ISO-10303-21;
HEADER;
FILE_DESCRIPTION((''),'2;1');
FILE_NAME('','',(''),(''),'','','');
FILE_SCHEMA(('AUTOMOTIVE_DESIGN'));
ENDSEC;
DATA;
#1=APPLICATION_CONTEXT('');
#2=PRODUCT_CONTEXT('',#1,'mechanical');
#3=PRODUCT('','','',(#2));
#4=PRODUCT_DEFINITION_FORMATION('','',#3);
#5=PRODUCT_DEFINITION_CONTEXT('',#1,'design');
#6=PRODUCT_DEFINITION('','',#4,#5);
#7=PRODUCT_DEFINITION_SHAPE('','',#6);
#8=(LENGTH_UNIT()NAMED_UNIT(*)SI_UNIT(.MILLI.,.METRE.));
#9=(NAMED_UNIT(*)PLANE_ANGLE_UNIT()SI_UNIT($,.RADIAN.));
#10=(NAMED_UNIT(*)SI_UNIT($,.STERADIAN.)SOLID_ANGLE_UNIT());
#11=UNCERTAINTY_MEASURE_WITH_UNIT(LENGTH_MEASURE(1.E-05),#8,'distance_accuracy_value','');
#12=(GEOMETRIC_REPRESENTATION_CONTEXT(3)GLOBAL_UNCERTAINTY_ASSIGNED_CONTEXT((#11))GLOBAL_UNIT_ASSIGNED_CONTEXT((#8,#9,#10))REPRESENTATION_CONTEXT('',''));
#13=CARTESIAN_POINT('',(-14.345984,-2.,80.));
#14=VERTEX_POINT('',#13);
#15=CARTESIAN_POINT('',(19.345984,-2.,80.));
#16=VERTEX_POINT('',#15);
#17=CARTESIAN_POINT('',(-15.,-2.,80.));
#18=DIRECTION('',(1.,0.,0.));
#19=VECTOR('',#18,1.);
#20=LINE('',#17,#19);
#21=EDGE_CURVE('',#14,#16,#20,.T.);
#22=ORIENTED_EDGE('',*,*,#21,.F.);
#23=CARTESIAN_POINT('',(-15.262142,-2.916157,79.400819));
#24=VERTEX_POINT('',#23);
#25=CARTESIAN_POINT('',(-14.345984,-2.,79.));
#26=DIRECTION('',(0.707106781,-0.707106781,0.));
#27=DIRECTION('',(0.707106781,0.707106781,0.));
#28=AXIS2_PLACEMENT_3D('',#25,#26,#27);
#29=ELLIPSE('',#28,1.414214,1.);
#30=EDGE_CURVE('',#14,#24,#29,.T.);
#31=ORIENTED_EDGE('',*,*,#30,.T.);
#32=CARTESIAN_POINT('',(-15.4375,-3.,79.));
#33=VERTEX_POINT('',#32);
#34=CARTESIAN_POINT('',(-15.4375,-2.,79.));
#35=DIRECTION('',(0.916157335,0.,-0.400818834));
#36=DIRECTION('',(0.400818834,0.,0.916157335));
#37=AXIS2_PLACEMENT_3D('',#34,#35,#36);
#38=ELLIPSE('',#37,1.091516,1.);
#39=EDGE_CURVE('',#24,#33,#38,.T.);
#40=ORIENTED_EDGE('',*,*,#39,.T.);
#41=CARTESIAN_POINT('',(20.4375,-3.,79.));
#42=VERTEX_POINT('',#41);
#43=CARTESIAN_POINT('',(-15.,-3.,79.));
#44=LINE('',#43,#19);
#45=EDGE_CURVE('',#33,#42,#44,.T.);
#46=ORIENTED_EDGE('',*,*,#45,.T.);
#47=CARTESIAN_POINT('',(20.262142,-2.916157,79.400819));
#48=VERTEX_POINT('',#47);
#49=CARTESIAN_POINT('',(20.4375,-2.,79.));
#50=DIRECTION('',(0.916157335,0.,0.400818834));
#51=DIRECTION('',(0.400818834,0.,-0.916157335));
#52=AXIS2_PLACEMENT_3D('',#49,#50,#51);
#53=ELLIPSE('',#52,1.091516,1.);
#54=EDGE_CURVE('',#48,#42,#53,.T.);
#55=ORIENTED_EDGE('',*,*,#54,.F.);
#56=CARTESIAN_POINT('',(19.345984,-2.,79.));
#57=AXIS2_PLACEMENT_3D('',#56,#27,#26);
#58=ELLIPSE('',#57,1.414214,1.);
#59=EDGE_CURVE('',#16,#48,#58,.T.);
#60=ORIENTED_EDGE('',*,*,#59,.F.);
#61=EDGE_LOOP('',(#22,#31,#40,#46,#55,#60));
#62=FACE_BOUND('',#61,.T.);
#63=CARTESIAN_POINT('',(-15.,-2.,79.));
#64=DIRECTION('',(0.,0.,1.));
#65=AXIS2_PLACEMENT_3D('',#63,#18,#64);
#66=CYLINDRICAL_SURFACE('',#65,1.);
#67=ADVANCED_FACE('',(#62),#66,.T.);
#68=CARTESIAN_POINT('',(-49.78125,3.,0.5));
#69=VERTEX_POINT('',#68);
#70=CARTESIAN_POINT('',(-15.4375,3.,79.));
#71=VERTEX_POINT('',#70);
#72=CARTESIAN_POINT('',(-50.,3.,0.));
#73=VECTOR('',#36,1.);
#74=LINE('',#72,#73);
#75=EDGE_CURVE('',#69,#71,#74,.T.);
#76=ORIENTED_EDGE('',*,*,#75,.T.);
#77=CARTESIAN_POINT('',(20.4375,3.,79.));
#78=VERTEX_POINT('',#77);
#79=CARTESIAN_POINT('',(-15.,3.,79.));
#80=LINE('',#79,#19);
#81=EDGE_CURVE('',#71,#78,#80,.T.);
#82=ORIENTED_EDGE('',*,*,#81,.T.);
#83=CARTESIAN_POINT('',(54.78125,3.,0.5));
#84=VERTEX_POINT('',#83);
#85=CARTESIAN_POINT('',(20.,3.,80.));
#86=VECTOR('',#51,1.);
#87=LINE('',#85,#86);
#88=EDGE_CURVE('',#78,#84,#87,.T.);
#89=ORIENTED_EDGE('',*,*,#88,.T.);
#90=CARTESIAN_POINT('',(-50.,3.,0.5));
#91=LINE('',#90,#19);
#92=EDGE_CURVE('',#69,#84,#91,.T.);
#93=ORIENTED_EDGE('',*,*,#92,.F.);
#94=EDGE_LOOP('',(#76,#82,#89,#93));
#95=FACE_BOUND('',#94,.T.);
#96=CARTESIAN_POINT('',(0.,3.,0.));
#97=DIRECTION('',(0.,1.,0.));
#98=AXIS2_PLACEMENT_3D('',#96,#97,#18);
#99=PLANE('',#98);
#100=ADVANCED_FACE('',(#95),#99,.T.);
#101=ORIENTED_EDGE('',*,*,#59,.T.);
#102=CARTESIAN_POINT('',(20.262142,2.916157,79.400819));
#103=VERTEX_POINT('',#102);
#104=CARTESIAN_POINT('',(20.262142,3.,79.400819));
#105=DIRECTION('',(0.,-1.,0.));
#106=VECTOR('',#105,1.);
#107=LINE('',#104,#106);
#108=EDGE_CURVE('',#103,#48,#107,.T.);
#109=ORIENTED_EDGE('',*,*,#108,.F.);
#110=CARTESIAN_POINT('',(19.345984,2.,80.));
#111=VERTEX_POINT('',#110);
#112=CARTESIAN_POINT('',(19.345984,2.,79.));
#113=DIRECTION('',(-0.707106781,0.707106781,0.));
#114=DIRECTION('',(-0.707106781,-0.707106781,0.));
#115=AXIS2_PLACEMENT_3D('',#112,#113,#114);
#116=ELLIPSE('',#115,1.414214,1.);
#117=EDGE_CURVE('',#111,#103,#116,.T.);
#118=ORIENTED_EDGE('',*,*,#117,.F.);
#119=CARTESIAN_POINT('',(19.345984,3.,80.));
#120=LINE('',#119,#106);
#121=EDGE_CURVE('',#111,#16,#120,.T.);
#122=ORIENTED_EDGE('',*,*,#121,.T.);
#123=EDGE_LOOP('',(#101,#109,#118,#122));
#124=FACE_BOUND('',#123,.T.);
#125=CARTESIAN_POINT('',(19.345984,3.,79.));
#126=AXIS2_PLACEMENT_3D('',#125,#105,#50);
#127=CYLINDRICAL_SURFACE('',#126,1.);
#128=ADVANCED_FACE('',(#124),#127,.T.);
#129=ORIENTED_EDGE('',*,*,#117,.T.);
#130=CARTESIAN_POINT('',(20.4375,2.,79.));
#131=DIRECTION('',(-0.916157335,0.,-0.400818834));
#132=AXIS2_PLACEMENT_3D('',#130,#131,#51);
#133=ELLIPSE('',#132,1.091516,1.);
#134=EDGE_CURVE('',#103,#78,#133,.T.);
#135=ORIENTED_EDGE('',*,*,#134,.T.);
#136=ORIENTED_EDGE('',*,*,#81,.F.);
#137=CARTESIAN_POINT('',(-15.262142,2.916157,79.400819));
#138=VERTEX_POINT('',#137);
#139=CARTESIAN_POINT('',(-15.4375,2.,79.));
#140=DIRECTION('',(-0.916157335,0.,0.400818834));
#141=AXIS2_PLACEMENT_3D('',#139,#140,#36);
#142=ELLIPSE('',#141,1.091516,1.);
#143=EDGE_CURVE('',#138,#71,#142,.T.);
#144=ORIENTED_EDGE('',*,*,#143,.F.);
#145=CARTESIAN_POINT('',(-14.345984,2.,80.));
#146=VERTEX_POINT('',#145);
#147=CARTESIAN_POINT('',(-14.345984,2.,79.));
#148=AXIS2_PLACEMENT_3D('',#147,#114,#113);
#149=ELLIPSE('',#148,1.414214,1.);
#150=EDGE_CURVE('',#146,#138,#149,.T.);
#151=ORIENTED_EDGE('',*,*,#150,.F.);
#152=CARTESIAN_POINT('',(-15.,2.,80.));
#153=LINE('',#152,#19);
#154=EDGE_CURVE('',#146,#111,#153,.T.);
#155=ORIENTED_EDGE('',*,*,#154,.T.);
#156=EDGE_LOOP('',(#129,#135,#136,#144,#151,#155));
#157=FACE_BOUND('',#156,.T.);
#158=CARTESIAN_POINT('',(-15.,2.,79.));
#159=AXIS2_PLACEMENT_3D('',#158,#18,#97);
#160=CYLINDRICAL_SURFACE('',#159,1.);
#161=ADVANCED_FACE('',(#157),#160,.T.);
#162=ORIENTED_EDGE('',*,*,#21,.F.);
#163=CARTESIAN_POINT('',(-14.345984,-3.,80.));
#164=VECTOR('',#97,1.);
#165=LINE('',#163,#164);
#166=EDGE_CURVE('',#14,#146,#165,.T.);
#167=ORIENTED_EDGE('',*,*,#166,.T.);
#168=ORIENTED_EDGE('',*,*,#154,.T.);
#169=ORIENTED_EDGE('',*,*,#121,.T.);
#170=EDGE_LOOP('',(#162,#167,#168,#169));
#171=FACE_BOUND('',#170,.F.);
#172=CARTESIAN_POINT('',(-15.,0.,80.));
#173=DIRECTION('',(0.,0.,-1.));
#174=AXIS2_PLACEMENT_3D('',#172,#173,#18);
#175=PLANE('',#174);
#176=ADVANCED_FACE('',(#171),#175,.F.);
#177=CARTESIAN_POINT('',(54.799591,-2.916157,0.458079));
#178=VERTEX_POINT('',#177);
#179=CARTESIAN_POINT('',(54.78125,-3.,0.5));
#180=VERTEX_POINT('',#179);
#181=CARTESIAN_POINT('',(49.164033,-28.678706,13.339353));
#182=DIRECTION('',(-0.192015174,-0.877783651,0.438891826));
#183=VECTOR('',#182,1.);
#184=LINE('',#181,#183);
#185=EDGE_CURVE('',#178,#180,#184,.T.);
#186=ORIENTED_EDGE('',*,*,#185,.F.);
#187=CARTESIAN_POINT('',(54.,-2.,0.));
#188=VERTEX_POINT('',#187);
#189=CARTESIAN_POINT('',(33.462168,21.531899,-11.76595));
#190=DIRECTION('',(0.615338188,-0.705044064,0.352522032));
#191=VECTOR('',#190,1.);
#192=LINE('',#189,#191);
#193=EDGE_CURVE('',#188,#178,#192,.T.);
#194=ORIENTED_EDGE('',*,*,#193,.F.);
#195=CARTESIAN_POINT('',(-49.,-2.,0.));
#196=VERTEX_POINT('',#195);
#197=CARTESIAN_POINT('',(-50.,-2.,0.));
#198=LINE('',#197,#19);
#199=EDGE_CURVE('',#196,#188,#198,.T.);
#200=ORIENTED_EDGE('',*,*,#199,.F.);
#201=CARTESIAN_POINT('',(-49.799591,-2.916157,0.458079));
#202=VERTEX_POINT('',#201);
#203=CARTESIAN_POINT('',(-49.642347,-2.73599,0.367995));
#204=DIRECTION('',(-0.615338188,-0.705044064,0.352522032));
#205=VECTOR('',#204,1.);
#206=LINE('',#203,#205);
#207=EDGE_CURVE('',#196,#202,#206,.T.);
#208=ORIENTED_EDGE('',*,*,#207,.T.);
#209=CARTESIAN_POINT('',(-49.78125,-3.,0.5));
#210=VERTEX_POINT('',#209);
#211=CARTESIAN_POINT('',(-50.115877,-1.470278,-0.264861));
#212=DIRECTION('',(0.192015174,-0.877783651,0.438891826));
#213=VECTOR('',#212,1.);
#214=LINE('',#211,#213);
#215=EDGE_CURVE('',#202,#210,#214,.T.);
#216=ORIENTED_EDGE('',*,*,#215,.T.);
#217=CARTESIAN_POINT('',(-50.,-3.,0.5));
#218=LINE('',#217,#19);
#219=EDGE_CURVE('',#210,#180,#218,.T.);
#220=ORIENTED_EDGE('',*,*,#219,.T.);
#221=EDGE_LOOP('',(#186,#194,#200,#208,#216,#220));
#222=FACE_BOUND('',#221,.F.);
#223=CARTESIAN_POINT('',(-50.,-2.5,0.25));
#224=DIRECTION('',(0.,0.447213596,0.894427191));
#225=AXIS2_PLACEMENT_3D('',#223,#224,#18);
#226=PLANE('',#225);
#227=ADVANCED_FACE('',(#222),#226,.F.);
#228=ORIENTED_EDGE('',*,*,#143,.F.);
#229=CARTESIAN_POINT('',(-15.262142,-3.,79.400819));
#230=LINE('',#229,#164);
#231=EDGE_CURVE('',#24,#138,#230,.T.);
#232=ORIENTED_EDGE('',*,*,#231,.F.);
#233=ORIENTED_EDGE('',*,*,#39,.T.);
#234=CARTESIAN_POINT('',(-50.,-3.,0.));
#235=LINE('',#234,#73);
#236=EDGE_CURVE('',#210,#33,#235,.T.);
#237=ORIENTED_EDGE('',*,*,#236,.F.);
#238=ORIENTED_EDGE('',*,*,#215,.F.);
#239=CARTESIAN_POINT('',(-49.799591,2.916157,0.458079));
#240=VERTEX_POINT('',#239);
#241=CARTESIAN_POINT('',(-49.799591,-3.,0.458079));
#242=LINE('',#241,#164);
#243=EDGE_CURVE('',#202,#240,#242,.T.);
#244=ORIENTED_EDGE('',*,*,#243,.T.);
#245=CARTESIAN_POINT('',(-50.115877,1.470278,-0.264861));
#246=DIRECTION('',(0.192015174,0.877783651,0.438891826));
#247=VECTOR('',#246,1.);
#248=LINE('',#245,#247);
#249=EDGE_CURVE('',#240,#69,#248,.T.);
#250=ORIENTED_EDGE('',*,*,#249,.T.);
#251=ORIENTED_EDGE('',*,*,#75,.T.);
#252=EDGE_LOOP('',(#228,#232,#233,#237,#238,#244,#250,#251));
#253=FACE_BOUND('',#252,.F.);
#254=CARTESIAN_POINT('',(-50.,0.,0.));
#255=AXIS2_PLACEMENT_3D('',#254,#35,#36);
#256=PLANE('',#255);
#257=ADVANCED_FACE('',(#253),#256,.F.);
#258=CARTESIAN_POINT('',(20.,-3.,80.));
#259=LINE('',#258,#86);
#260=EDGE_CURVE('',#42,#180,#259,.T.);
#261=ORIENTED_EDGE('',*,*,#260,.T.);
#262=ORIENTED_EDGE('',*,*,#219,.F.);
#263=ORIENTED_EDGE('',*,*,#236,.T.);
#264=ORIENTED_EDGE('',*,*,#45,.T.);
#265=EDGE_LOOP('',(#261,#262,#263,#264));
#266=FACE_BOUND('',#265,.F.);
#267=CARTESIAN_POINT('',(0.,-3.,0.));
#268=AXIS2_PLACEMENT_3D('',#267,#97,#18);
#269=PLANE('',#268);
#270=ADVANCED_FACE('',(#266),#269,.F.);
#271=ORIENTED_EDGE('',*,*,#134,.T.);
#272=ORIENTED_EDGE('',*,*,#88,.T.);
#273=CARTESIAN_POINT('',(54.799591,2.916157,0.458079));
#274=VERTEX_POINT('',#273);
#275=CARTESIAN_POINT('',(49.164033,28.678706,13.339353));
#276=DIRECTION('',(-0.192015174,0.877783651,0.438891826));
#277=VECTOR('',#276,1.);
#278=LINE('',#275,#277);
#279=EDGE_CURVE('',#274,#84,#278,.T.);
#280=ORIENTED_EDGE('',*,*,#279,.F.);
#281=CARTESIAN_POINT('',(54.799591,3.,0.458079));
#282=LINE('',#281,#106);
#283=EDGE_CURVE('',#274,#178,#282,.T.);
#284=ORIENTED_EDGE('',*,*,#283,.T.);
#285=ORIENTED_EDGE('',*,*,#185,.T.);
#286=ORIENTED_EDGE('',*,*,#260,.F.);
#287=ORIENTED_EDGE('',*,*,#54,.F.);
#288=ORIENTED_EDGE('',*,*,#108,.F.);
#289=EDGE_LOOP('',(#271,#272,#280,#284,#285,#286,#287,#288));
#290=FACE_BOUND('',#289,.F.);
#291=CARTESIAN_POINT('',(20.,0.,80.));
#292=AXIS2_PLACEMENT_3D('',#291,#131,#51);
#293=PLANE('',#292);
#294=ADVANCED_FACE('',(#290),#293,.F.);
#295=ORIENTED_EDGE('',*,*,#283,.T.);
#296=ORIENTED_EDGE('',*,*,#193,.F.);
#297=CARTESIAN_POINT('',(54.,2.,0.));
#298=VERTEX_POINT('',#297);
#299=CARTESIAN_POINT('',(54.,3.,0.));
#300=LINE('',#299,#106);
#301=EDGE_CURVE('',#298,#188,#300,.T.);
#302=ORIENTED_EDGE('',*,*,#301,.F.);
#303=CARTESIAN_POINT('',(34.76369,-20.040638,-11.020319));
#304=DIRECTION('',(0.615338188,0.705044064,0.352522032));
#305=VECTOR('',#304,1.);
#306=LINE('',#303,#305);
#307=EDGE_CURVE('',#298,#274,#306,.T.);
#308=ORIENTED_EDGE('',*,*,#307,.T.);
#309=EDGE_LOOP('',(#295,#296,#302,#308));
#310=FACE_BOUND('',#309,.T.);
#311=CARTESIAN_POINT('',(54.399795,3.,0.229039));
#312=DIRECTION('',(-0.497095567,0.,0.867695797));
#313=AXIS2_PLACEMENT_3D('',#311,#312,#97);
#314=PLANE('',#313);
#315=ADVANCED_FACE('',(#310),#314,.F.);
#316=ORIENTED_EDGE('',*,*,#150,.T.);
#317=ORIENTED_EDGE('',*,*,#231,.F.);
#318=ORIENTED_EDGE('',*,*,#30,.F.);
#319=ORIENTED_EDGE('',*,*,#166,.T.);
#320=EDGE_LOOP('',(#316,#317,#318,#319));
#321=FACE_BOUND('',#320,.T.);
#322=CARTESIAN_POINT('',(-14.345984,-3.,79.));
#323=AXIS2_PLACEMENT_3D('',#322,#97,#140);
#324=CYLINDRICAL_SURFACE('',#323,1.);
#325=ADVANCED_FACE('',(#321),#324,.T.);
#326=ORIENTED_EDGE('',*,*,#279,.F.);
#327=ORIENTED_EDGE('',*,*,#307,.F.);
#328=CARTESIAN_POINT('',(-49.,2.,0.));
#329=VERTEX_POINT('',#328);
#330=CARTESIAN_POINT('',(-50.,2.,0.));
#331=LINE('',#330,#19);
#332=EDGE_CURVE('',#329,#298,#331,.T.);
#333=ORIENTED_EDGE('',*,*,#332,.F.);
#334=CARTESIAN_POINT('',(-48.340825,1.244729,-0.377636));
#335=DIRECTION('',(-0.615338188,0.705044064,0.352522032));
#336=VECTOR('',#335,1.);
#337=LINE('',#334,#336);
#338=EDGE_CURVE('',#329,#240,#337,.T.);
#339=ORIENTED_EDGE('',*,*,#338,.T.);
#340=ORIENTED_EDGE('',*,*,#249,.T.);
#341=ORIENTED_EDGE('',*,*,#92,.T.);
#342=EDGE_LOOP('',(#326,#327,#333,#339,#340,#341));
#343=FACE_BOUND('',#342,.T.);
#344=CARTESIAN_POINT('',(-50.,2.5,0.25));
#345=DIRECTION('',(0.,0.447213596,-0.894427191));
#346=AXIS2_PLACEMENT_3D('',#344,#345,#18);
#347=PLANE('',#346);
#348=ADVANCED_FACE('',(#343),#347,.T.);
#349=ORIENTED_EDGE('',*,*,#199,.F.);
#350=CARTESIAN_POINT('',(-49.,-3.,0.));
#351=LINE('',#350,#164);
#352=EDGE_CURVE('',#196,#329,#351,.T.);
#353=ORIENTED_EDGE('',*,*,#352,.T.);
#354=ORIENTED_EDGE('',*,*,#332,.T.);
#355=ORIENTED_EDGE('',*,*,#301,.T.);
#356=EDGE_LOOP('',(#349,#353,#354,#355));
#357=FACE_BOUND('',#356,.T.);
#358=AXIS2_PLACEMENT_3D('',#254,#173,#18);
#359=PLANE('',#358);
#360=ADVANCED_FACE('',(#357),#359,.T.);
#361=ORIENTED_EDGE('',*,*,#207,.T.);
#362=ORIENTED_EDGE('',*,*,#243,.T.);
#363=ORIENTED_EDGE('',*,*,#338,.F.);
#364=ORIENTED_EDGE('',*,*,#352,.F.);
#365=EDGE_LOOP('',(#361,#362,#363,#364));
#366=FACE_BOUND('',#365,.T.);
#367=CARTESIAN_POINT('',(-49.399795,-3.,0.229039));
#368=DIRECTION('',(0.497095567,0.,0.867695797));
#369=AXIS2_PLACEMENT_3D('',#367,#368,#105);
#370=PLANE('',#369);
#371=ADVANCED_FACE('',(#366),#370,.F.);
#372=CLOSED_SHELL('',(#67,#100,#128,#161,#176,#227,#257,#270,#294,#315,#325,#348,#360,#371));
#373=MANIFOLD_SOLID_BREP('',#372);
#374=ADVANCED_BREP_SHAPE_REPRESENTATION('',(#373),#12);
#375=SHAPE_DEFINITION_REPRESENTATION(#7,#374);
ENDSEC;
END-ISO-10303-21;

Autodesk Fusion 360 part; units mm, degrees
sketch "Sketch1" plane through (0, 0, 0) normal (0, 1, 0) x (1, 0, 0)
  line L0 (-50, 0) -> (55, 0)
  line L1 (-15, -80) -> (20, -80)
  line L2 (-50, 0) -> (-15, -80)
  line L3 (20, -80) -> (55, 0)
  dimension "d2" = 105
  dimension "d3" = 35
  dimension "d4" = 35
  dimension "d5" = 80
  dimension "d6" = 50
extrude "Extrude1" add sketch "Sketch1" along normal mid plane 6
fillet "Fillet1" radius 1 4 edges at (2.5, -3, 80) (2.5, 3, 80) (-15, 0, 80) (20, 0, 80)
chamfer "Chamfer1" distance 0.5 distance2 1 4 edges at (2.5, -3, 0) (2.5, 3, 0) (-50, 0, 0) (55, 0, 0) measured on face at (-3.4792, -3, 26.3333) measured on face at (-3.4792, 3, 26.3333) measured on face at (-26.9583, 1, 52.6667) measured on face at (31.9583, -1, 52.6667)
